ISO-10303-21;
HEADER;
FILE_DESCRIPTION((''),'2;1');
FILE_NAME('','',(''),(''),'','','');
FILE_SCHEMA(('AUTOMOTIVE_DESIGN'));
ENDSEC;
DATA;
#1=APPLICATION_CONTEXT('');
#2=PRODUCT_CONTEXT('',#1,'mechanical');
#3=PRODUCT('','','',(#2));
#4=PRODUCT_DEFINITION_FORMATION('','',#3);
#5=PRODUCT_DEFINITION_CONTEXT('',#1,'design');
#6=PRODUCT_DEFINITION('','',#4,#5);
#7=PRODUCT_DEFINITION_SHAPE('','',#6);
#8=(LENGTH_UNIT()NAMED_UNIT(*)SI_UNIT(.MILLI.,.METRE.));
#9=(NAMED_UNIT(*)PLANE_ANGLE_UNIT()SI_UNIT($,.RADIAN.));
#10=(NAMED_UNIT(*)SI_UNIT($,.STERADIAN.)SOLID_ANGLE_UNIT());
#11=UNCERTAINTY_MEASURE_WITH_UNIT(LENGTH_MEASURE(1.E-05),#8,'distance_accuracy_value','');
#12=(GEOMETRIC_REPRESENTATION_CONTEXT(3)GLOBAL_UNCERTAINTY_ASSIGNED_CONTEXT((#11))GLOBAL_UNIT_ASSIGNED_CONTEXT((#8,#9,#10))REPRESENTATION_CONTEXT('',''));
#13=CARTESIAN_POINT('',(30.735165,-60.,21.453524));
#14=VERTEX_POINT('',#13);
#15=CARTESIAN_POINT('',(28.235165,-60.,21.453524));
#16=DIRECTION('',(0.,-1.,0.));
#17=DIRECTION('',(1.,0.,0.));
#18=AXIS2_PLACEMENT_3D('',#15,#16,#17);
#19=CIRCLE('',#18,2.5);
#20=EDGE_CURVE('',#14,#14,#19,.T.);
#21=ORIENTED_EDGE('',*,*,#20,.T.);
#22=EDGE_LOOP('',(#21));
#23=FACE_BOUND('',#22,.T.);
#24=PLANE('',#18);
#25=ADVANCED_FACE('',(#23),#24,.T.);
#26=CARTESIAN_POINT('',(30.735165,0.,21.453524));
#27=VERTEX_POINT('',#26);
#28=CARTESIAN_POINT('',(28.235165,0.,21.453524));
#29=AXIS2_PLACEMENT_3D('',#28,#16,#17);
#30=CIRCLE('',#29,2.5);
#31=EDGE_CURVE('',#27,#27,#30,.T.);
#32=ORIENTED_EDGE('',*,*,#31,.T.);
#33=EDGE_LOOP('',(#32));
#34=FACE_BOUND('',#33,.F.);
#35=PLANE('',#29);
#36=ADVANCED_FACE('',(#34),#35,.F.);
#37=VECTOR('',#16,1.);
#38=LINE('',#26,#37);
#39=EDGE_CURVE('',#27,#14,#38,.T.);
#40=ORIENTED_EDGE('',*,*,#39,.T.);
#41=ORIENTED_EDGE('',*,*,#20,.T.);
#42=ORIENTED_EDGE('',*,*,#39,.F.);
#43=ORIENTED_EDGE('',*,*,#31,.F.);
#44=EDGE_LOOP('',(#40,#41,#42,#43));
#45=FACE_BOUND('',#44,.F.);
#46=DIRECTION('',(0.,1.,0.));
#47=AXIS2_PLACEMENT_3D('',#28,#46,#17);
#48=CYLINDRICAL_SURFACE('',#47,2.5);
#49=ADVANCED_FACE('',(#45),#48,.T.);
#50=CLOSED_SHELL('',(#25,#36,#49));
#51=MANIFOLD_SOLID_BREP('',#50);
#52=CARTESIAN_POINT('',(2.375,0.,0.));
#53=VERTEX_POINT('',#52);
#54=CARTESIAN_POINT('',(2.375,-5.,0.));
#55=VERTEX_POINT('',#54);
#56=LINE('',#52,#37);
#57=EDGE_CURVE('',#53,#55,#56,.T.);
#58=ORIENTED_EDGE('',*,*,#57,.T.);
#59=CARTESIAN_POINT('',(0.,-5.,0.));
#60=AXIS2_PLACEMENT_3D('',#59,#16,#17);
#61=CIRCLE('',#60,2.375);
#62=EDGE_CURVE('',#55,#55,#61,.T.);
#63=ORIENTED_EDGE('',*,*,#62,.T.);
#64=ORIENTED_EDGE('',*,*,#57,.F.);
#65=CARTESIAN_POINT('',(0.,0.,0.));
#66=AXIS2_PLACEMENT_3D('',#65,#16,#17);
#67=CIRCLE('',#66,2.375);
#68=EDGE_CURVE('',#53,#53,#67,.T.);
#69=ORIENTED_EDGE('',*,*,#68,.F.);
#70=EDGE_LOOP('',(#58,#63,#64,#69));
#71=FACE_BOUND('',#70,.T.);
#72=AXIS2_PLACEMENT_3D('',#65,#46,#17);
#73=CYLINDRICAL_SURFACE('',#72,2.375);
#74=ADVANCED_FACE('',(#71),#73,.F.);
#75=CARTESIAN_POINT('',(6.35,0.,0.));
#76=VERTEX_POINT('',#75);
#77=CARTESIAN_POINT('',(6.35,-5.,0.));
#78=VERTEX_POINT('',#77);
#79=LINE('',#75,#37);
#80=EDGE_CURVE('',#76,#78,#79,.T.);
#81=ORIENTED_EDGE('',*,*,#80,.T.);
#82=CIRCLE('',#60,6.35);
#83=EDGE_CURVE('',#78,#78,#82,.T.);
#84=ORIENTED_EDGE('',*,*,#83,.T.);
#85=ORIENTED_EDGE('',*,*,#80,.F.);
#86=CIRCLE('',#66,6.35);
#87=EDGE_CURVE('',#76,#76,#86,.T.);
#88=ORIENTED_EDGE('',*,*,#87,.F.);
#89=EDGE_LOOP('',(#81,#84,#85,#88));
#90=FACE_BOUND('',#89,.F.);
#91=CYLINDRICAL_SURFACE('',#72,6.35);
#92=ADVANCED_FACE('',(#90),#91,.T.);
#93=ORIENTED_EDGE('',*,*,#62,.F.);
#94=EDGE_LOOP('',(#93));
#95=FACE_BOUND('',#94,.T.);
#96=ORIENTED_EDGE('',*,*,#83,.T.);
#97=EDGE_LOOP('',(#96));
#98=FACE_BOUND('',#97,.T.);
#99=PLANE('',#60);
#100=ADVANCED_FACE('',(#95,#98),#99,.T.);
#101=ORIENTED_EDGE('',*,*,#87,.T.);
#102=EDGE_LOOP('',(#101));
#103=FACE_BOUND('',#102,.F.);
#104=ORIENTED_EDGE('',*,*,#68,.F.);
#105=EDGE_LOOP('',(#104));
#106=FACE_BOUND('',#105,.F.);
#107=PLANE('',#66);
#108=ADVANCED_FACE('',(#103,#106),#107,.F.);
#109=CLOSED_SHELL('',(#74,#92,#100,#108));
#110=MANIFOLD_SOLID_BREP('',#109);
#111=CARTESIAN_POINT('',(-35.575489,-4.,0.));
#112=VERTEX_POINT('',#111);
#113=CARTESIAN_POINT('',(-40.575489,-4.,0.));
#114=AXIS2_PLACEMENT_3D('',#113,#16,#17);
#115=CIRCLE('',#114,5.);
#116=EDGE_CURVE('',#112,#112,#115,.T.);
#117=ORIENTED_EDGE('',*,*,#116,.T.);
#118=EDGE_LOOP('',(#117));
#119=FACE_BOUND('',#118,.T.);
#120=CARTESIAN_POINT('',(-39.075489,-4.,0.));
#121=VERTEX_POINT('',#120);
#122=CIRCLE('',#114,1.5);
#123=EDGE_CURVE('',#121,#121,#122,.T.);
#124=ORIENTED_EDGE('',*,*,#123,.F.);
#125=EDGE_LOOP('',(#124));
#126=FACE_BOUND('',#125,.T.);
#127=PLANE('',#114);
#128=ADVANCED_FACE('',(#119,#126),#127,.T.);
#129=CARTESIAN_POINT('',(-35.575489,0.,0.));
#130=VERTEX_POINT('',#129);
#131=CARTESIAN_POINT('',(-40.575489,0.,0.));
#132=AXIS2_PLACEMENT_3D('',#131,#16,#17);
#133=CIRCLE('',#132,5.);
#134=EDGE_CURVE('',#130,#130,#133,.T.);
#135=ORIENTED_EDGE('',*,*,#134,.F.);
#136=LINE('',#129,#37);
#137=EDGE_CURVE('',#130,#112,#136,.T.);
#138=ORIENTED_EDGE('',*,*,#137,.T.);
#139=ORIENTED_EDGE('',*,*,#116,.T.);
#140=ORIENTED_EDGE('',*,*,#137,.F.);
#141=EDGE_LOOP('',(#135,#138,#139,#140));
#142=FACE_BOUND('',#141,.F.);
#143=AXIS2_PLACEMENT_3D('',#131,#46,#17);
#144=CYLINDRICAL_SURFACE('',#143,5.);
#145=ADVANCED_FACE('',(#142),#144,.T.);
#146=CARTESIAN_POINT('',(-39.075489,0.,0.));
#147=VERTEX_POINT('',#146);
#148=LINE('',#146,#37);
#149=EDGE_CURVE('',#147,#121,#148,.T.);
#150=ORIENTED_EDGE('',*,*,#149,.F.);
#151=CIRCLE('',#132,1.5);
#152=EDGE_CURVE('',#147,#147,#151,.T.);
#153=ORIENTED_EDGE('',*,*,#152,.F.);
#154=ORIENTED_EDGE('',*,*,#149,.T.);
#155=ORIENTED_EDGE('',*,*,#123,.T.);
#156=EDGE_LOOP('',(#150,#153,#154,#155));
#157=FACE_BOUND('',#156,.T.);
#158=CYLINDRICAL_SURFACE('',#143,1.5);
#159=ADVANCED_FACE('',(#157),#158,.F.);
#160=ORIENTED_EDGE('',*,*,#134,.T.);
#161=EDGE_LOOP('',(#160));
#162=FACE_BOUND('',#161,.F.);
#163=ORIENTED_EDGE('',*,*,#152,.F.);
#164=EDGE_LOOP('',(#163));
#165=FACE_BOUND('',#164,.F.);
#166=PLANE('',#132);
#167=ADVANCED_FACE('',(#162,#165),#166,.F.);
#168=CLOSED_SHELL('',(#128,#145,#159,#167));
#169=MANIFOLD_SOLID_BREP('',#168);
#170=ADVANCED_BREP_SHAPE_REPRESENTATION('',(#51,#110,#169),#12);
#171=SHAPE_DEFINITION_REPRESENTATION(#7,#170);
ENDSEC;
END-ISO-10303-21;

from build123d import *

# Parameters (mm, degrees)
F0_R     = 6.35
F0_R_2   = 2.375
F1_DEPTH = 5
F2_R     = 2.5
F3_DEPTH = 60
F4_R     = 5
F4_R_2   = 1.5
F5_DEPTH = 4


with BuildPart() as f1:
    # F0 (on Front) → F1 (new body)
    with BuildSketch(Plane.XZ):
        Circle(F0_R)
        Circle(F0_R_2, mode=Mode.SUBTRACT)
    extrude(amount=F1_DEPTH)


with BuildPart() as f3:
    # F2 (on Front) → F3 (new body)
    with BuildSketch(Plane.XZ):
        with Locations((28.235165, 21.453524)):
            Circle(F2_R)
    extrude(amount=F3_DEPTH)


with BuildPart() as f5:
    # F4 (on Front) → F5 (new body)
    with BuildSketch(Plane.XZ):
        with Locations((-40.575489, 0)):
            Circle(F4_R)
        with Locations((-40.575489, 0)):
            Circle(F4_R_2, mode=Mode.SUBTRACT)
    extrude(amount=F5_DEPTH)


solid = Compound([f1.part, f3.part, f5.part])
